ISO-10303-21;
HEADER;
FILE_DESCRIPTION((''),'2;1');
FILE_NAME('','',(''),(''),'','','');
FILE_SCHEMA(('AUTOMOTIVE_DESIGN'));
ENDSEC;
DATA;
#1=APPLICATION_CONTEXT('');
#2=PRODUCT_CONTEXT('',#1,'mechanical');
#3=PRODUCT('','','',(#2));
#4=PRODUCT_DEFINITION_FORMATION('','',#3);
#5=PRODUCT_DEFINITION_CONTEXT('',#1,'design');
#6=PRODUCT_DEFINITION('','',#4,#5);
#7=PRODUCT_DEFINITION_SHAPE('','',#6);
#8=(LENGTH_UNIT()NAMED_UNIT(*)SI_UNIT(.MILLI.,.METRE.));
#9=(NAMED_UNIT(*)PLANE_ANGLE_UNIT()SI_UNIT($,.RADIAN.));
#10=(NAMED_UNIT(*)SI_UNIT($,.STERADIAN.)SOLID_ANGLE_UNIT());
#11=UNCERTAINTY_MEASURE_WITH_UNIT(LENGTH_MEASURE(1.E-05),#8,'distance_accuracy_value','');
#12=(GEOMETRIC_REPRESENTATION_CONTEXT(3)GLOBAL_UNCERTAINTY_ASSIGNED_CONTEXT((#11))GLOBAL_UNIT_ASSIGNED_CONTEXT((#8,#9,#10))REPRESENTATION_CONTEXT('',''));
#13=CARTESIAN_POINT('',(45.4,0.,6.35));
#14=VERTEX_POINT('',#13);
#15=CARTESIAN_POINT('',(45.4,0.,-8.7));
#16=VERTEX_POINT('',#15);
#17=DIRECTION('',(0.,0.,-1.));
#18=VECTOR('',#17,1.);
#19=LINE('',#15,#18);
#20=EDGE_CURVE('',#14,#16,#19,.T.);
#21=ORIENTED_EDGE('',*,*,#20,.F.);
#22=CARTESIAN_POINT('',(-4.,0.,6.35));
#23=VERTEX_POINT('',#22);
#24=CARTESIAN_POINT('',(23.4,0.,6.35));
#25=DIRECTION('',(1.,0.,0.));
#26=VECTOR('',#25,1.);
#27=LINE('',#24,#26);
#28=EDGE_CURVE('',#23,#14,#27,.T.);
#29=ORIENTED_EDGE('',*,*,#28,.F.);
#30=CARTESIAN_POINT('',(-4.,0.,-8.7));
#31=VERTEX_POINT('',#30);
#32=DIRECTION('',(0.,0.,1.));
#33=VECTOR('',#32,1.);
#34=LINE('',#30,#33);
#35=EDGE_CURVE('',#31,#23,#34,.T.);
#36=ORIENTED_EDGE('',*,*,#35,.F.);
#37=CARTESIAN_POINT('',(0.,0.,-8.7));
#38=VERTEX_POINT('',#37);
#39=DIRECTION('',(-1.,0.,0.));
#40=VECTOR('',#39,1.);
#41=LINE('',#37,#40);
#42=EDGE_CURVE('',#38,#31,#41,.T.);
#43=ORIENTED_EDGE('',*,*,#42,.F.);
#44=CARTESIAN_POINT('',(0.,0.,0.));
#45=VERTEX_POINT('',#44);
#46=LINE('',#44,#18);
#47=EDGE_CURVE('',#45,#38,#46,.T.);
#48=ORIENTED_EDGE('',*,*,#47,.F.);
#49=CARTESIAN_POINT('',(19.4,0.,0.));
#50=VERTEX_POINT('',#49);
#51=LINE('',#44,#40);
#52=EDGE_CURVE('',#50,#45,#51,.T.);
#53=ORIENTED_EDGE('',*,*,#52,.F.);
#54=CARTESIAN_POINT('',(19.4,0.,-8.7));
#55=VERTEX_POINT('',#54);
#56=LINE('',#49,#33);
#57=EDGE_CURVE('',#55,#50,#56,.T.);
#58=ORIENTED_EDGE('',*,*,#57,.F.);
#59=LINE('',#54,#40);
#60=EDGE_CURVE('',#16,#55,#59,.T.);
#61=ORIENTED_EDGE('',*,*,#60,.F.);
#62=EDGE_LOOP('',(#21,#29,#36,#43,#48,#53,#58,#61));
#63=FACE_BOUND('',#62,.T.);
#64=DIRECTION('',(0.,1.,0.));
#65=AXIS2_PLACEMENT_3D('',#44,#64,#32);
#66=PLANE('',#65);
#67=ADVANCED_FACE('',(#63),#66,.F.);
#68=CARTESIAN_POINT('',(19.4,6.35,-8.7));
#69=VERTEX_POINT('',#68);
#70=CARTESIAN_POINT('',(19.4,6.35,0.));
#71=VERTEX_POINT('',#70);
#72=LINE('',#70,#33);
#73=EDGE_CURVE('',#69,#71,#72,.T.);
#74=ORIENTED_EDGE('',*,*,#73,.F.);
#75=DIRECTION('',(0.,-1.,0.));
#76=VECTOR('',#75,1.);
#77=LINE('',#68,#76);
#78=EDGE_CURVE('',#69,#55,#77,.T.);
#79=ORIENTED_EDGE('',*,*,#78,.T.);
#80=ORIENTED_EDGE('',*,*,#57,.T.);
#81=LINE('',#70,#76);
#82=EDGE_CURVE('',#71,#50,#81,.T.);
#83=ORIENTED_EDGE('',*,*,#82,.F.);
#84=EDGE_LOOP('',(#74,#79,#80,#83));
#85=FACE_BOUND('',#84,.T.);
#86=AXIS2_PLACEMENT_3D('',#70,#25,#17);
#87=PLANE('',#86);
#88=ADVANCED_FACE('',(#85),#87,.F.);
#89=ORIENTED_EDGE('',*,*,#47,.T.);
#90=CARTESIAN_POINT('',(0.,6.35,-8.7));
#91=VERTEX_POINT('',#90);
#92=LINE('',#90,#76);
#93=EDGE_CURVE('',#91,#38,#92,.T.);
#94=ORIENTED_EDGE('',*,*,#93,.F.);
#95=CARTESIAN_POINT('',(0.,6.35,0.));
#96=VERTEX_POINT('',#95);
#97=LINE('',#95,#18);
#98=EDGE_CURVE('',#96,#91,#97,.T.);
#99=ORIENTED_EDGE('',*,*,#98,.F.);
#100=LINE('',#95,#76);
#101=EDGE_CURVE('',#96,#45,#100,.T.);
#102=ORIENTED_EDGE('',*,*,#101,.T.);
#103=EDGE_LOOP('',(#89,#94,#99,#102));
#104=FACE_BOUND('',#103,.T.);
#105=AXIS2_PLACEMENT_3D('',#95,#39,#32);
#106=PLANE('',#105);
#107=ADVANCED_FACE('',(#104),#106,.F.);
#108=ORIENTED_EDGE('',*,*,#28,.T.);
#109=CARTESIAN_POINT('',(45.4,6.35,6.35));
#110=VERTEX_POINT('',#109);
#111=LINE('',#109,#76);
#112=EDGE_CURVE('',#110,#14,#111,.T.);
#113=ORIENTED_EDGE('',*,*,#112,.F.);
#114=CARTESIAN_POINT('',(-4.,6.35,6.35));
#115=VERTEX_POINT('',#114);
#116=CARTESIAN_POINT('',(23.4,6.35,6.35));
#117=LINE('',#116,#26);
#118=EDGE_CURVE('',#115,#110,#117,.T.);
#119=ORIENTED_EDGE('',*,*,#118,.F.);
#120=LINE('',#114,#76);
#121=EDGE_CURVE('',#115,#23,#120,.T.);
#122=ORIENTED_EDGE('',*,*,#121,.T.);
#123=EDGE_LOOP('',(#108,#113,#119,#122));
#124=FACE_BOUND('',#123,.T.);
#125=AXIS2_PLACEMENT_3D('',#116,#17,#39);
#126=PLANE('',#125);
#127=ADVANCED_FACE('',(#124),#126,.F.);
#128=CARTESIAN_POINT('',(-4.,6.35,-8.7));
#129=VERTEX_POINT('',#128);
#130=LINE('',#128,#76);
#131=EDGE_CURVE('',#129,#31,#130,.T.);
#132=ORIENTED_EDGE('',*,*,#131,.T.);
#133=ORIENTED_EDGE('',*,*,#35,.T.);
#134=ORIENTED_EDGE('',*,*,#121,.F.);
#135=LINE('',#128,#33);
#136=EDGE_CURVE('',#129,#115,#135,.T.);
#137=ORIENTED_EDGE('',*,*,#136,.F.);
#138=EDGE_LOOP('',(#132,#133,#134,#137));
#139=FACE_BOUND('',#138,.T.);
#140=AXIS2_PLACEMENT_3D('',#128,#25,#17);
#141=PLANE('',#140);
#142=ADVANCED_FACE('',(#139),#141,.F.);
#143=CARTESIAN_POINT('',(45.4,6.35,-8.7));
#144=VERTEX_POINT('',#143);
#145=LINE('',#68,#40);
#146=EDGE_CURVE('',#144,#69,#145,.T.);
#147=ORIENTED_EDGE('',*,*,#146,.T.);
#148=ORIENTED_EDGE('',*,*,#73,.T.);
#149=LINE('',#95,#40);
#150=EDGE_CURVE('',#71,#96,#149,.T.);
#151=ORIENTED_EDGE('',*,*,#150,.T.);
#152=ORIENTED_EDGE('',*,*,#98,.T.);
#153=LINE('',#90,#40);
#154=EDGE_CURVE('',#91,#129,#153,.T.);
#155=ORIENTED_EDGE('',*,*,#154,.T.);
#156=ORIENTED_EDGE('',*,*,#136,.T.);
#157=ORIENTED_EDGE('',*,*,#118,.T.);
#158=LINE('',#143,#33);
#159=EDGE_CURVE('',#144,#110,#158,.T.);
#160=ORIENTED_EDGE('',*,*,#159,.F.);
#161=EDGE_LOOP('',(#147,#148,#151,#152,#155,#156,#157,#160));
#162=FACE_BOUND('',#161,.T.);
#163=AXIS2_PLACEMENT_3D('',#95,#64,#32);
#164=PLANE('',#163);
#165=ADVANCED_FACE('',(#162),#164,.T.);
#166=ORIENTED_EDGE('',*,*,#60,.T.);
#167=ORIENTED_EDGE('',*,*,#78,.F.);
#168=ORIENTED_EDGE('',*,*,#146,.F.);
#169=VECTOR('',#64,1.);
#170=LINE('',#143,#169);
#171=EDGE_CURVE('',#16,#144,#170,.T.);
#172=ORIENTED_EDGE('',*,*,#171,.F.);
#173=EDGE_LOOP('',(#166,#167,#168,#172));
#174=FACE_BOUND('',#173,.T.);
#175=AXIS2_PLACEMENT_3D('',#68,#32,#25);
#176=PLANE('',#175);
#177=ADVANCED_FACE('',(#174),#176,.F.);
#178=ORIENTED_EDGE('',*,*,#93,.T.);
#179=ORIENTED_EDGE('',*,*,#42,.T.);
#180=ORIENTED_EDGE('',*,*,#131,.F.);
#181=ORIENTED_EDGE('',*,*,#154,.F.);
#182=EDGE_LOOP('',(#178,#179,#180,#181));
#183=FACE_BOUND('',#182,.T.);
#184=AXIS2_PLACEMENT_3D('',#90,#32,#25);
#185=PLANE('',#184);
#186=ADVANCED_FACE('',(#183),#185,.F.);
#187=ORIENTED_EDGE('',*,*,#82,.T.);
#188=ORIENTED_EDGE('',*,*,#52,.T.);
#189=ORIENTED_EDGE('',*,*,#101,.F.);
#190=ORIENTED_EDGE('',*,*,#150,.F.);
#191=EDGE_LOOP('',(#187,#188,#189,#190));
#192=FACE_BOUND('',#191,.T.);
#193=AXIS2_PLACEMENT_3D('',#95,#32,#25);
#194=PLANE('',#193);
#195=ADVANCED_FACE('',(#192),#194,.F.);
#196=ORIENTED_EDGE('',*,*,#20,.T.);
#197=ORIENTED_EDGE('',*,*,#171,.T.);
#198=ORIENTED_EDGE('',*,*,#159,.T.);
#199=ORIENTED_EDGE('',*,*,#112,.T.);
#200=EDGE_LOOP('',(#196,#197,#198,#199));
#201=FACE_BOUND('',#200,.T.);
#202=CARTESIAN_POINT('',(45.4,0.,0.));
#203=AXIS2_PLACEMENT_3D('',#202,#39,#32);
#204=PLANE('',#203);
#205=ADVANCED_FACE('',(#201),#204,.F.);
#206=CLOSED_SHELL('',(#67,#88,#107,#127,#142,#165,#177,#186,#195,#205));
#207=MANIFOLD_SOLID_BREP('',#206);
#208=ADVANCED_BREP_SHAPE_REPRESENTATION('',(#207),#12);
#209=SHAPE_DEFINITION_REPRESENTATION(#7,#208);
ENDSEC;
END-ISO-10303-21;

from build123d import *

# Parameters (mm, degrees)
BOSS_EXTRUDE1_DEPTH = 6.35
SKETCH3_W           = 15.05
SKETCH3_H           = 6.35
BOSS_EXTRUDE2_DEPTH = 22


with BuildPart() as part:
    # Sketch1 → Boss-Extrude1 (new body)
    with BuildSketch(Plane(origin=(0, 0, 0), x_dir=(1, 0, 0), z_dir=(0, 1, 0))):
        Polygon((0, 0), (19.4, 0), (19.4, 8.7), (23.4, 8.7), (23.4, -6.35), (-4, -6.35), (-4, 8.7), (0, 8.7), align=None)
    extrude(amount=BOSS_EXTRUDE1_DEPTH)

    # Sketch3 → Boss-Extrude2 (add)
    with BuildSketch(Plane(origin=(23.4, 0, 0), x_dir=(0, 0, -1), z_dir=(1, 0, 0))):
        with Locations((1.175, 3.175)):
            Rectangle(SKETCH3_W, SKETCH3_H)
    extrude(amount=BOSS_EXTRUDE2_DEPTH)


solid = part.part
